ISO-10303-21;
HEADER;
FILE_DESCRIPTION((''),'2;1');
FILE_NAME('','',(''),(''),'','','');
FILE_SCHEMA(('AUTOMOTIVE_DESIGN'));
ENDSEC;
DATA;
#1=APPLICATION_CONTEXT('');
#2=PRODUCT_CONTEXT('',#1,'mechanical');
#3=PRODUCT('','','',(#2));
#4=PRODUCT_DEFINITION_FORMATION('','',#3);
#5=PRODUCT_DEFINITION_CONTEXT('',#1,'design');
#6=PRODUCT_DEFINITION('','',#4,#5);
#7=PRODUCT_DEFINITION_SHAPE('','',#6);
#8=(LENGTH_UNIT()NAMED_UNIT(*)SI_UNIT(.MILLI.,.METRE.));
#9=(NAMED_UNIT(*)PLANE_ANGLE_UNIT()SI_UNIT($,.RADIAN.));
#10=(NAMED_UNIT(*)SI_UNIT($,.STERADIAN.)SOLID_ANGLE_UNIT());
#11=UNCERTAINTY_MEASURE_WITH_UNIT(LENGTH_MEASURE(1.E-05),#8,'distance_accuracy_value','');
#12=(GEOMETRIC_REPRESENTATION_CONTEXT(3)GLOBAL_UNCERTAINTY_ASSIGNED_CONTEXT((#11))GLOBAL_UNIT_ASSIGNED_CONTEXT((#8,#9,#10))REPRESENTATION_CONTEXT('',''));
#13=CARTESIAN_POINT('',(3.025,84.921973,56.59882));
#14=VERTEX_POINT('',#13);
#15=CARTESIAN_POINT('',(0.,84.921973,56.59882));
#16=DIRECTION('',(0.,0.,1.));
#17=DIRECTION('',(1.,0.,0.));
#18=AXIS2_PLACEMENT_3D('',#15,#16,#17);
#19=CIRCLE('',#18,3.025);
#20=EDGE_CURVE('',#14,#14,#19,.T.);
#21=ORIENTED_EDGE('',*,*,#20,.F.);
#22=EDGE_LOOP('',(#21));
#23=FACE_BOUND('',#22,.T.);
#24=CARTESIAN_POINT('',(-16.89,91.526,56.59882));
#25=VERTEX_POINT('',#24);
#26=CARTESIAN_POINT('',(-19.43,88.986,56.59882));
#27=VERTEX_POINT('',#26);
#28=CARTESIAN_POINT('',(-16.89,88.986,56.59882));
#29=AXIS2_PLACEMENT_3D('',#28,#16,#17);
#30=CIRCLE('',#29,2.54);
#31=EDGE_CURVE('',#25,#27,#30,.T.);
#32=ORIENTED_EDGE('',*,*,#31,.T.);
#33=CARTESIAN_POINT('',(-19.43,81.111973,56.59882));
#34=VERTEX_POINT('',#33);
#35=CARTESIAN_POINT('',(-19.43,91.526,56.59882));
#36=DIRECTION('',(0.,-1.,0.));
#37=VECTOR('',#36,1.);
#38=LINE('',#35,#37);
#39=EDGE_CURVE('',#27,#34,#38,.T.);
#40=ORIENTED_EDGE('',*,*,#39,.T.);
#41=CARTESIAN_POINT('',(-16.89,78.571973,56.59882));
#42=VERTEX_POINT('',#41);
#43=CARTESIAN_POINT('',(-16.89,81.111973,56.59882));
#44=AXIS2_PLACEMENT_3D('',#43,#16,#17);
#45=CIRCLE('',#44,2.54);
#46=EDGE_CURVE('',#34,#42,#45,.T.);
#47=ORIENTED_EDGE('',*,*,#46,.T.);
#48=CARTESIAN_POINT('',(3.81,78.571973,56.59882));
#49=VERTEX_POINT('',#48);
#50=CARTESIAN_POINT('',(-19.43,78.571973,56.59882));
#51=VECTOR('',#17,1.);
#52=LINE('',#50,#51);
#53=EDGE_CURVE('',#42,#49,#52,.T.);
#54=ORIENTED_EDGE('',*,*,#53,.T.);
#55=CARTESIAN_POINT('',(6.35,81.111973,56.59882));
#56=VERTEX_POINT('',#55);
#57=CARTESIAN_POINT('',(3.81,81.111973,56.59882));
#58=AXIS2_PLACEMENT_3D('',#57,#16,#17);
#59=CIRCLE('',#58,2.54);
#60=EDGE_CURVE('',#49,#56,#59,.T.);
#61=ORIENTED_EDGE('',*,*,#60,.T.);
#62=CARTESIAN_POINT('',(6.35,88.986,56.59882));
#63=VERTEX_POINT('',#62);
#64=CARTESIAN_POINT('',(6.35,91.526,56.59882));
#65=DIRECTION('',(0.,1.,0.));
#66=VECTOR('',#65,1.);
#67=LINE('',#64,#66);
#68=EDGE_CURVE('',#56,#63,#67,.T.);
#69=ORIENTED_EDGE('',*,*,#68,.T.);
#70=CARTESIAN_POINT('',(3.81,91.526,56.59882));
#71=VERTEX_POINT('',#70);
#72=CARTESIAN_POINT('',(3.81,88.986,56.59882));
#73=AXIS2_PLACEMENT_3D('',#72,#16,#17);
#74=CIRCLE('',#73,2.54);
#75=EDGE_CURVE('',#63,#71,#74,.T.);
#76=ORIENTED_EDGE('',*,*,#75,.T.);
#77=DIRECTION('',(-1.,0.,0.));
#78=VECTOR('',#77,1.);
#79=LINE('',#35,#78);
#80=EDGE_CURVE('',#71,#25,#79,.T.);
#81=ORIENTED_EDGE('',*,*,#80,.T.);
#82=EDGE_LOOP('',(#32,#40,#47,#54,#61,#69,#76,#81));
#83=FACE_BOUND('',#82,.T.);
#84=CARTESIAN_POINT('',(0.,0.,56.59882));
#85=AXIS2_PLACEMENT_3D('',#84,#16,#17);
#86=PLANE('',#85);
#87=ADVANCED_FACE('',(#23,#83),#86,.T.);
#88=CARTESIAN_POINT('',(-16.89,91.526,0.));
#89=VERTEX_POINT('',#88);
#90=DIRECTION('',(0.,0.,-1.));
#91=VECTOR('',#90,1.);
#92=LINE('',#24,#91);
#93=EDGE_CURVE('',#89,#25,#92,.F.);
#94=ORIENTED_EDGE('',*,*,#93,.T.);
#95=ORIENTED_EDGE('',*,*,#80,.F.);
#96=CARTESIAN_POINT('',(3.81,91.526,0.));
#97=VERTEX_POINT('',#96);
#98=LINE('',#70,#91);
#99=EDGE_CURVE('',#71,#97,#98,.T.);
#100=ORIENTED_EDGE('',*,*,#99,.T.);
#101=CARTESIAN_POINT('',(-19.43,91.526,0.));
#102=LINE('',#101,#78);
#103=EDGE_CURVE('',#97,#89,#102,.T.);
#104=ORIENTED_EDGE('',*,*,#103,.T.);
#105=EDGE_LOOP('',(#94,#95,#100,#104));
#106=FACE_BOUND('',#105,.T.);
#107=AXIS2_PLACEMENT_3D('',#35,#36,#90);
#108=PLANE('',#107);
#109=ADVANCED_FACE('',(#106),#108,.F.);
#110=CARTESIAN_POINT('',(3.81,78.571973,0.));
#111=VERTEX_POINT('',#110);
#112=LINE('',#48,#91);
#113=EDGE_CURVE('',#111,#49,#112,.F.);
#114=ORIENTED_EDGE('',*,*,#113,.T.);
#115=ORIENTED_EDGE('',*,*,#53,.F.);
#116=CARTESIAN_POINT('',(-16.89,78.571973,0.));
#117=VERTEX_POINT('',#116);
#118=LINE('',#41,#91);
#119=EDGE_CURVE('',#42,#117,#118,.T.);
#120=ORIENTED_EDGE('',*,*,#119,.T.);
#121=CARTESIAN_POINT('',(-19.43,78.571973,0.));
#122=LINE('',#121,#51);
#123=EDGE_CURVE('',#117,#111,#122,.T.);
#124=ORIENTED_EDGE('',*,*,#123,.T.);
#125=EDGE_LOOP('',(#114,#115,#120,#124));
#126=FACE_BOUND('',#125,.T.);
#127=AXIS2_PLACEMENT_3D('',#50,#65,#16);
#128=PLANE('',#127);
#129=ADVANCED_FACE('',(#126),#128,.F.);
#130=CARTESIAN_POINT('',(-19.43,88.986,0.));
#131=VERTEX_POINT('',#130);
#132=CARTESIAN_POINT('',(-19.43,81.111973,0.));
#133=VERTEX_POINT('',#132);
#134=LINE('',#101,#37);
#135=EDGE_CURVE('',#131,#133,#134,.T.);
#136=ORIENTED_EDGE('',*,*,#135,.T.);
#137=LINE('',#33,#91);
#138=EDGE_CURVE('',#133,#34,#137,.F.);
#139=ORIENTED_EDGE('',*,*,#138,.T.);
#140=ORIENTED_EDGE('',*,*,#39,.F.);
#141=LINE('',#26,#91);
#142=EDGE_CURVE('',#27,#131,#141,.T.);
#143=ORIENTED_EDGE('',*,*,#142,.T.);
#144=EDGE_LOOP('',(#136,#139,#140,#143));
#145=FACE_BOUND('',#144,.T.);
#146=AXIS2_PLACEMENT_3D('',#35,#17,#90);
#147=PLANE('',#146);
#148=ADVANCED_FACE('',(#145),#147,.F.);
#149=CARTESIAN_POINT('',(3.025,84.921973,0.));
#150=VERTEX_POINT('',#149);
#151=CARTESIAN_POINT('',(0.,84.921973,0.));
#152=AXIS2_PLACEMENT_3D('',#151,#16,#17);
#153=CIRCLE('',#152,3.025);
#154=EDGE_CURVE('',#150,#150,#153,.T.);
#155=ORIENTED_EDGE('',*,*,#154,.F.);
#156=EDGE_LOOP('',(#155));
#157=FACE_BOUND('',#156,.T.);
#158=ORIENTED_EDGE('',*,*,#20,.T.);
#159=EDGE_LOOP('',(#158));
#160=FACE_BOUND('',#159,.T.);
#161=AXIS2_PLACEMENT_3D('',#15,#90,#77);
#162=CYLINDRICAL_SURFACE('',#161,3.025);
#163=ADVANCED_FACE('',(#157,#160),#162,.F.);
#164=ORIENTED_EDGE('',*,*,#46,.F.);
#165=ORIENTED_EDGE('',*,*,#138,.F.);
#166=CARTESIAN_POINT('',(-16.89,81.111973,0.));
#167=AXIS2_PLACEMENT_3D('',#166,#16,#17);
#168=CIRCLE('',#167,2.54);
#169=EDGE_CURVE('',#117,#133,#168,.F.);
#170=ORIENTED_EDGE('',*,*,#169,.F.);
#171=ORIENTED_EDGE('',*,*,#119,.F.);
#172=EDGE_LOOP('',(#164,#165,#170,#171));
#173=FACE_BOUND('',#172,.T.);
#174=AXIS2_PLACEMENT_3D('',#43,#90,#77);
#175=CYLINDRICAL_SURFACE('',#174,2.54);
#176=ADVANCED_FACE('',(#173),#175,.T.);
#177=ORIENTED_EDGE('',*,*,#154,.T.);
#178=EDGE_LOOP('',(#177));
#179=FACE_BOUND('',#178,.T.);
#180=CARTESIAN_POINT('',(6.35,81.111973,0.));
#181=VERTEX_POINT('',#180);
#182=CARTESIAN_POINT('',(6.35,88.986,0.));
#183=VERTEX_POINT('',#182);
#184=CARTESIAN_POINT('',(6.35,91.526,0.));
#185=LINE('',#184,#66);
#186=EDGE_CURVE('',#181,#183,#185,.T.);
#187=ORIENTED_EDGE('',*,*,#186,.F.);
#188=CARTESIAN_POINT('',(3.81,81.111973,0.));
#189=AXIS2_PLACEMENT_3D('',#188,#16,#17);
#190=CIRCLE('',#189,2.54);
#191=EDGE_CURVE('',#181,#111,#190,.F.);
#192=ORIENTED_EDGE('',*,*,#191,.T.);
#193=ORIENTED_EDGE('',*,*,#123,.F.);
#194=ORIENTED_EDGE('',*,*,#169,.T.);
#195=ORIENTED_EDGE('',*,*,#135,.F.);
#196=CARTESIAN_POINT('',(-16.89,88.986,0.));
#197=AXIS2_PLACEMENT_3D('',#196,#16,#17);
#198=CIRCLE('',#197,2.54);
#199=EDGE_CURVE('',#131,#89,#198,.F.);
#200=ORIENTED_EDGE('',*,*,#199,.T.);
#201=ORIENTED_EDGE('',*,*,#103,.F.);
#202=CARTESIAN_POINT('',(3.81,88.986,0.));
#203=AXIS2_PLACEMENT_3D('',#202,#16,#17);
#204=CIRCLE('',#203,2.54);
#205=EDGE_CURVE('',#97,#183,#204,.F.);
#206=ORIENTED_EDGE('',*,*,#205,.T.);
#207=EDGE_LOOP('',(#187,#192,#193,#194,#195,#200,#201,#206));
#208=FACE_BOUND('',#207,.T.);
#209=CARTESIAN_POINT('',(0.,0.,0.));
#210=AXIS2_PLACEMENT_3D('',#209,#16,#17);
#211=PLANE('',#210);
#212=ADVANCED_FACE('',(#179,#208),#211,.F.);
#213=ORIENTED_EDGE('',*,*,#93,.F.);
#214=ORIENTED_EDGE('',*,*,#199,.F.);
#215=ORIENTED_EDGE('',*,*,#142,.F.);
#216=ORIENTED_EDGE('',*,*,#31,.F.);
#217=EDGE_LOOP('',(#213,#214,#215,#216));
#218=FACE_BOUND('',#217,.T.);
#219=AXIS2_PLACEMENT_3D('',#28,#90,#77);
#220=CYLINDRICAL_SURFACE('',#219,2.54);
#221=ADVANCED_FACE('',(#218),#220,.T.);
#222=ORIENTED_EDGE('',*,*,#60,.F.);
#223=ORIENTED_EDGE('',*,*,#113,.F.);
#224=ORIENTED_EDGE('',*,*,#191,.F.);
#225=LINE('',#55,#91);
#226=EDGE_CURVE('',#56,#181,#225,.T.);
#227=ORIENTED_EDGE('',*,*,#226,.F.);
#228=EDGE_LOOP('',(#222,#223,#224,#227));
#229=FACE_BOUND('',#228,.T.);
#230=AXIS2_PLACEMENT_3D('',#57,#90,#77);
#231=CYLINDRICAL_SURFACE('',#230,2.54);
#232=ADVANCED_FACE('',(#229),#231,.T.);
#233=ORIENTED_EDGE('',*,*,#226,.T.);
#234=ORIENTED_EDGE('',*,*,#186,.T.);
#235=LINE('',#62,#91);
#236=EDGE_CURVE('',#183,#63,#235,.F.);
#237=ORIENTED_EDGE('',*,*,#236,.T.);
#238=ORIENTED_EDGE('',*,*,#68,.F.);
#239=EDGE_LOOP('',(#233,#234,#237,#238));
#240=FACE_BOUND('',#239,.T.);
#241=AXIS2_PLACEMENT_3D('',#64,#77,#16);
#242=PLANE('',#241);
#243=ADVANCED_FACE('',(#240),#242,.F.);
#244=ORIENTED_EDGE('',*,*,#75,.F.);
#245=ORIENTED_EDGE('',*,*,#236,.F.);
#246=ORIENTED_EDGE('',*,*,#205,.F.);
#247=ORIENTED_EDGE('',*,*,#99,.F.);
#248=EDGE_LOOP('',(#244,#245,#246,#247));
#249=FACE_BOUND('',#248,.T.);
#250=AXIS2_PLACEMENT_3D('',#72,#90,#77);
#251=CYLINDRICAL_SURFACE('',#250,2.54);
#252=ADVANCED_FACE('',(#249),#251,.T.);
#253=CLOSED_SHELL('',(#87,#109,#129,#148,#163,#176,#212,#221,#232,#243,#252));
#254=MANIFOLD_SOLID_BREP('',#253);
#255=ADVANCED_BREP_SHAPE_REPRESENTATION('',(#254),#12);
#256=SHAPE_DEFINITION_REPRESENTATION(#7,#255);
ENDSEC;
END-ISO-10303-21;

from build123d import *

# Parameters (mm, degrees)
SKETCH1_W           = 25.780000002
SKETCH1_H           = 12.954026584
SKETCH1_R           = 3.025
BOSS_EXTRUDE1_DEPTH = 56.59882
FILLET2_R           = 2.54


with BuildPart() as part:
    # Sketch1 → Boss-Extrude1 (new body)
    with BuildSketch(Plane.XY):
        with Locations((-6.540000001, 85.048986708)):
            Rectangle(SKETCH1_W, SKETCH1_H)
        with Locations((0, 84.921973416)):
            Circle(SKETCH1_R, mode=Mode.SUBTRACT)
    extrude(amount=BOSS_EXTRUDE1_DEPTH)

    # Fillet2
    fillet2_edges = [part.edges().sort_by_distance(p)[0] for p in [
        (-19.430000002, 91.526, 28.29941),
        (6.35, 91.526, 28.29941),
        (6.35, 78.571973416, 28.29941),
        (-19.430000002, 78.571973416, 28.29941),
    ]]
    fillet(fillet2_edges, radius=FILLET2_R)


solid = part.part
